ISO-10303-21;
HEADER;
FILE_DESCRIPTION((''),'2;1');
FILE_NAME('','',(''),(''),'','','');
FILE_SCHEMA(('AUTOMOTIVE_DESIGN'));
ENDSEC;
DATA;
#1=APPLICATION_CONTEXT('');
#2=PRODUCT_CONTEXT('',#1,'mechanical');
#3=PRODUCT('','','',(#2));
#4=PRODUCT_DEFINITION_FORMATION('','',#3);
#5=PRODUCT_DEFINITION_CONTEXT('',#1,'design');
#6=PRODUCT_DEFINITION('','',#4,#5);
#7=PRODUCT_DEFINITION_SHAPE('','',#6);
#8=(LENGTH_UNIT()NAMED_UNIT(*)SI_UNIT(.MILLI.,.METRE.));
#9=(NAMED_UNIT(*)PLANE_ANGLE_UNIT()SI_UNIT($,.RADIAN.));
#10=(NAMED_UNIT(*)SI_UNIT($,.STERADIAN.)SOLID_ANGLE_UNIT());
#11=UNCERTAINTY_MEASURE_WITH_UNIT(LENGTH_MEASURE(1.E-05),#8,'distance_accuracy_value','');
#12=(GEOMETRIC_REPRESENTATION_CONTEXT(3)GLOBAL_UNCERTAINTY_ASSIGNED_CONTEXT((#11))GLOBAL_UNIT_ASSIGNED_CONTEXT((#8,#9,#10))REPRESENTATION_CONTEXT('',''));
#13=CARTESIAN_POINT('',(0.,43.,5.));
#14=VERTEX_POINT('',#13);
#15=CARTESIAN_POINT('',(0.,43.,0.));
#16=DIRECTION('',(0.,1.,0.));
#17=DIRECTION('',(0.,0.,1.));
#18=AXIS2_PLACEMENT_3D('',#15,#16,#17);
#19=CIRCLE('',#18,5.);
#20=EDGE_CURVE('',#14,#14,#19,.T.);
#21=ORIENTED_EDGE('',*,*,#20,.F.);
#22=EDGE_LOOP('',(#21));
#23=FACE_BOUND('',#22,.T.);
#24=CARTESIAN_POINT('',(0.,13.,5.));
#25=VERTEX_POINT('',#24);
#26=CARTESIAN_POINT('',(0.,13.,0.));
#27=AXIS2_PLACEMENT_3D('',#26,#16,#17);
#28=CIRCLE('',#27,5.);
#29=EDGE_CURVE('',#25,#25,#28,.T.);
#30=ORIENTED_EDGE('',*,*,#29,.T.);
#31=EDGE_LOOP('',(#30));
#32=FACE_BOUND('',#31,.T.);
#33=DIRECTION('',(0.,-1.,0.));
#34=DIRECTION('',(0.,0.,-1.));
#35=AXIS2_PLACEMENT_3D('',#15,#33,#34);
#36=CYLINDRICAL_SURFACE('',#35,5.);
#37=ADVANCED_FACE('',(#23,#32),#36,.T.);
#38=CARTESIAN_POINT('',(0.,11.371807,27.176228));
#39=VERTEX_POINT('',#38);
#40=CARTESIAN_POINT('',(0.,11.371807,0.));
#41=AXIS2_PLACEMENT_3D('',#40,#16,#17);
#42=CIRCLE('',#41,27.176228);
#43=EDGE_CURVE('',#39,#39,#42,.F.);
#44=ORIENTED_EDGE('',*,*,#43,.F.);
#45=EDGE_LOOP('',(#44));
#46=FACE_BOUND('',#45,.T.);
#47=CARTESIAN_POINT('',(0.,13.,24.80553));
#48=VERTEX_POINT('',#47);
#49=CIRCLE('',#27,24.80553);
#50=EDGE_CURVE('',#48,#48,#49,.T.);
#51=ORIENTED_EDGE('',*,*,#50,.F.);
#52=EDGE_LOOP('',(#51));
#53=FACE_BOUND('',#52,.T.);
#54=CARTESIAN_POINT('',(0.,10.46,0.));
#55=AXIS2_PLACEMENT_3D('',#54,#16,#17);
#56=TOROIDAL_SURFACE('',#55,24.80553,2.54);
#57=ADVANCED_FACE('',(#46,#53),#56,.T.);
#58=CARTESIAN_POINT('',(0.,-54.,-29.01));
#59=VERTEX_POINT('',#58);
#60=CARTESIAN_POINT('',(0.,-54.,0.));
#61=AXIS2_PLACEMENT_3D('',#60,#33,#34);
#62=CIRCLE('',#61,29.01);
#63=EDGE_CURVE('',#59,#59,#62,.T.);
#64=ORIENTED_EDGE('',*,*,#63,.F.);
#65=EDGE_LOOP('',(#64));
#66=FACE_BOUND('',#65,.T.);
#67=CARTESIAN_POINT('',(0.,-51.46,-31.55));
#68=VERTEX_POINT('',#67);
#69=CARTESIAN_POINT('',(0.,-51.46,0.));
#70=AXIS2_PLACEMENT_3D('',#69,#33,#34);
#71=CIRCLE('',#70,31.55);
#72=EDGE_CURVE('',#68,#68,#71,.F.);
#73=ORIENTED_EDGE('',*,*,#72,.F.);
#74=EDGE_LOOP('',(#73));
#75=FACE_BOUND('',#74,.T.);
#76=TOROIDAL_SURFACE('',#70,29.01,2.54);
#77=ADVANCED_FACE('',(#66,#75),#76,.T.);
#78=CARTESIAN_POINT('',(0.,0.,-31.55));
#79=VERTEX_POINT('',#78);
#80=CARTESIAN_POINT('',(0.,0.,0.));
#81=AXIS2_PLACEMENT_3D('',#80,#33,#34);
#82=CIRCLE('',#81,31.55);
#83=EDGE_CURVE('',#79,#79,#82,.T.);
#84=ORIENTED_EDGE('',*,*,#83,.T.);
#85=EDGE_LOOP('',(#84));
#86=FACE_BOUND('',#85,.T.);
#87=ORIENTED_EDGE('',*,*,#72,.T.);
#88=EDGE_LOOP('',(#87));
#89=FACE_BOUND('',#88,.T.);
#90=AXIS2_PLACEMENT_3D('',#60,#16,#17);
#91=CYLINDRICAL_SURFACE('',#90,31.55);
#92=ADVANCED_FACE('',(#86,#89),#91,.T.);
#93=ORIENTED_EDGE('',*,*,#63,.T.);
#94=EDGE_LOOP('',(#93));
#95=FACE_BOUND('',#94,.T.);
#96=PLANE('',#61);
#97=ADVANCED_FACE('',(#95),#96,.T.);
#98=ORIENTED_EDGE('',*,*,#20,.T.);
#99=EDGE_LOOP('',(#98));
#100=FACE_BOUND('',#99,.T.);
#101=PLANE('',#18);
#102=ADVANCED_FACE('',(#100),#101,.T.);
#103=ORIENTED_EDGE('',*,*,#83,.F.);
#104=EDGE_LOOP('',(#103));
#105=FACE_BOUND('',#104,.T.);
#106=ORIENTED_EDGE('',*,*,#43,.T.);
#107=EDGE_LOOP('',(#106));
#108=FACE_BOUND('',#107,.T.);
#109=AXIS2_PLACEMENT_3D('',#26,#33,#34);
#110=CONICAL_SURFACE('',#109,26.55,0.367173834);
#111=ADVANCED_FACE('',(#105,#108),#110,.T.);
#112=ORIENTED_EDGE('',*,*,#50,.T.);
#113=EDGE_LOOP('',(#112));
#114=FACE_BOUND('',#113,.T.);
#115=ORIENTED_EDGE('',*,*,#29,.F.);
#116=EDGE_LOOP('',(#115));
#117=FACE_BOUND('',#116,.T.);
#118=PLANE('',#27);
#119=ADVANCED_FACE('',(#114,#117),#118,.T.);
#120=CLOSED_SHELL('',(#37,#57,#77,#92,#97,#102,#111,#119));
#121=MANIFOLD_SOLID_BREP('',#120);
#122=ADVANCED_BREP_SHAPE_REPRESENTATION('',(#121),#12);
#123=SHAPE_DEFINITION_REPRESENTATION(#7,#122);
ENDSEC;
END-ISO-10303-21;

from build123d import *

# Parameters (mm, degrees)
SKETCH3_R           = 31.55
BOSS_EXTRUDE1_DEPTH = 13
SKETCH6_R           = 31.55
BOSS_EXTRUDE2_DEPTH = 54
FILLET1_R           = 2.54
SKETCH7_R           = 5
BOSS_EXTRUDE3_DEPTH = 30


with BuildPart() as part:
    # Sketch3 → Boss-Extrude1 (new body)
    with BuildSketch(Plane(origin=(0, 0, 0), x_dir=(1, 0, 0), z_dir=(0, 1, 0))):
        Circle(SKETCH3_R)
    extrude(amount=BOSS_EXTRUDE1_DEPTH)

    # Sketch5 → Cut-Revolve1 (revolve, cut)
    with BuildSketch(Plane.XY):
        Polygon((31.55, 13), (26.55, 13), (31.55, 0), align=None)
    revolve(axis=Axis((0, 13, 0), (0, -1, 0)), mode=Mode.SUBTRACT)

    # Sketch6 → Boss-Extrude2 (add)
    with BuildSketch(Plane.XZ):
        Circle(SKETCH6_R)
    extrude(amount=BOSS_EXTRUDE2_DEPTH)

    # Fillet1
    fillet1_edges = [part.edges().sort_by_distance(p)[0] for p in [
        (-31.55, -54, 0),
        (-26.55, 13, 0),
    ]]
    fillet(fillet1_edges, radius=FILLET1_R)

    # Sketch7 → Boss-Extrude3 (add)
    with BuildSketch(Plane(origin=(0, 13, 0), x_dir=(1, 0, 0), z_dir=(0, 1, 0))):
        Circle(SKETCH7_R)
    extrude(amount=BOSS_EXTRUDE3_DEPTH)


solid = part.part
